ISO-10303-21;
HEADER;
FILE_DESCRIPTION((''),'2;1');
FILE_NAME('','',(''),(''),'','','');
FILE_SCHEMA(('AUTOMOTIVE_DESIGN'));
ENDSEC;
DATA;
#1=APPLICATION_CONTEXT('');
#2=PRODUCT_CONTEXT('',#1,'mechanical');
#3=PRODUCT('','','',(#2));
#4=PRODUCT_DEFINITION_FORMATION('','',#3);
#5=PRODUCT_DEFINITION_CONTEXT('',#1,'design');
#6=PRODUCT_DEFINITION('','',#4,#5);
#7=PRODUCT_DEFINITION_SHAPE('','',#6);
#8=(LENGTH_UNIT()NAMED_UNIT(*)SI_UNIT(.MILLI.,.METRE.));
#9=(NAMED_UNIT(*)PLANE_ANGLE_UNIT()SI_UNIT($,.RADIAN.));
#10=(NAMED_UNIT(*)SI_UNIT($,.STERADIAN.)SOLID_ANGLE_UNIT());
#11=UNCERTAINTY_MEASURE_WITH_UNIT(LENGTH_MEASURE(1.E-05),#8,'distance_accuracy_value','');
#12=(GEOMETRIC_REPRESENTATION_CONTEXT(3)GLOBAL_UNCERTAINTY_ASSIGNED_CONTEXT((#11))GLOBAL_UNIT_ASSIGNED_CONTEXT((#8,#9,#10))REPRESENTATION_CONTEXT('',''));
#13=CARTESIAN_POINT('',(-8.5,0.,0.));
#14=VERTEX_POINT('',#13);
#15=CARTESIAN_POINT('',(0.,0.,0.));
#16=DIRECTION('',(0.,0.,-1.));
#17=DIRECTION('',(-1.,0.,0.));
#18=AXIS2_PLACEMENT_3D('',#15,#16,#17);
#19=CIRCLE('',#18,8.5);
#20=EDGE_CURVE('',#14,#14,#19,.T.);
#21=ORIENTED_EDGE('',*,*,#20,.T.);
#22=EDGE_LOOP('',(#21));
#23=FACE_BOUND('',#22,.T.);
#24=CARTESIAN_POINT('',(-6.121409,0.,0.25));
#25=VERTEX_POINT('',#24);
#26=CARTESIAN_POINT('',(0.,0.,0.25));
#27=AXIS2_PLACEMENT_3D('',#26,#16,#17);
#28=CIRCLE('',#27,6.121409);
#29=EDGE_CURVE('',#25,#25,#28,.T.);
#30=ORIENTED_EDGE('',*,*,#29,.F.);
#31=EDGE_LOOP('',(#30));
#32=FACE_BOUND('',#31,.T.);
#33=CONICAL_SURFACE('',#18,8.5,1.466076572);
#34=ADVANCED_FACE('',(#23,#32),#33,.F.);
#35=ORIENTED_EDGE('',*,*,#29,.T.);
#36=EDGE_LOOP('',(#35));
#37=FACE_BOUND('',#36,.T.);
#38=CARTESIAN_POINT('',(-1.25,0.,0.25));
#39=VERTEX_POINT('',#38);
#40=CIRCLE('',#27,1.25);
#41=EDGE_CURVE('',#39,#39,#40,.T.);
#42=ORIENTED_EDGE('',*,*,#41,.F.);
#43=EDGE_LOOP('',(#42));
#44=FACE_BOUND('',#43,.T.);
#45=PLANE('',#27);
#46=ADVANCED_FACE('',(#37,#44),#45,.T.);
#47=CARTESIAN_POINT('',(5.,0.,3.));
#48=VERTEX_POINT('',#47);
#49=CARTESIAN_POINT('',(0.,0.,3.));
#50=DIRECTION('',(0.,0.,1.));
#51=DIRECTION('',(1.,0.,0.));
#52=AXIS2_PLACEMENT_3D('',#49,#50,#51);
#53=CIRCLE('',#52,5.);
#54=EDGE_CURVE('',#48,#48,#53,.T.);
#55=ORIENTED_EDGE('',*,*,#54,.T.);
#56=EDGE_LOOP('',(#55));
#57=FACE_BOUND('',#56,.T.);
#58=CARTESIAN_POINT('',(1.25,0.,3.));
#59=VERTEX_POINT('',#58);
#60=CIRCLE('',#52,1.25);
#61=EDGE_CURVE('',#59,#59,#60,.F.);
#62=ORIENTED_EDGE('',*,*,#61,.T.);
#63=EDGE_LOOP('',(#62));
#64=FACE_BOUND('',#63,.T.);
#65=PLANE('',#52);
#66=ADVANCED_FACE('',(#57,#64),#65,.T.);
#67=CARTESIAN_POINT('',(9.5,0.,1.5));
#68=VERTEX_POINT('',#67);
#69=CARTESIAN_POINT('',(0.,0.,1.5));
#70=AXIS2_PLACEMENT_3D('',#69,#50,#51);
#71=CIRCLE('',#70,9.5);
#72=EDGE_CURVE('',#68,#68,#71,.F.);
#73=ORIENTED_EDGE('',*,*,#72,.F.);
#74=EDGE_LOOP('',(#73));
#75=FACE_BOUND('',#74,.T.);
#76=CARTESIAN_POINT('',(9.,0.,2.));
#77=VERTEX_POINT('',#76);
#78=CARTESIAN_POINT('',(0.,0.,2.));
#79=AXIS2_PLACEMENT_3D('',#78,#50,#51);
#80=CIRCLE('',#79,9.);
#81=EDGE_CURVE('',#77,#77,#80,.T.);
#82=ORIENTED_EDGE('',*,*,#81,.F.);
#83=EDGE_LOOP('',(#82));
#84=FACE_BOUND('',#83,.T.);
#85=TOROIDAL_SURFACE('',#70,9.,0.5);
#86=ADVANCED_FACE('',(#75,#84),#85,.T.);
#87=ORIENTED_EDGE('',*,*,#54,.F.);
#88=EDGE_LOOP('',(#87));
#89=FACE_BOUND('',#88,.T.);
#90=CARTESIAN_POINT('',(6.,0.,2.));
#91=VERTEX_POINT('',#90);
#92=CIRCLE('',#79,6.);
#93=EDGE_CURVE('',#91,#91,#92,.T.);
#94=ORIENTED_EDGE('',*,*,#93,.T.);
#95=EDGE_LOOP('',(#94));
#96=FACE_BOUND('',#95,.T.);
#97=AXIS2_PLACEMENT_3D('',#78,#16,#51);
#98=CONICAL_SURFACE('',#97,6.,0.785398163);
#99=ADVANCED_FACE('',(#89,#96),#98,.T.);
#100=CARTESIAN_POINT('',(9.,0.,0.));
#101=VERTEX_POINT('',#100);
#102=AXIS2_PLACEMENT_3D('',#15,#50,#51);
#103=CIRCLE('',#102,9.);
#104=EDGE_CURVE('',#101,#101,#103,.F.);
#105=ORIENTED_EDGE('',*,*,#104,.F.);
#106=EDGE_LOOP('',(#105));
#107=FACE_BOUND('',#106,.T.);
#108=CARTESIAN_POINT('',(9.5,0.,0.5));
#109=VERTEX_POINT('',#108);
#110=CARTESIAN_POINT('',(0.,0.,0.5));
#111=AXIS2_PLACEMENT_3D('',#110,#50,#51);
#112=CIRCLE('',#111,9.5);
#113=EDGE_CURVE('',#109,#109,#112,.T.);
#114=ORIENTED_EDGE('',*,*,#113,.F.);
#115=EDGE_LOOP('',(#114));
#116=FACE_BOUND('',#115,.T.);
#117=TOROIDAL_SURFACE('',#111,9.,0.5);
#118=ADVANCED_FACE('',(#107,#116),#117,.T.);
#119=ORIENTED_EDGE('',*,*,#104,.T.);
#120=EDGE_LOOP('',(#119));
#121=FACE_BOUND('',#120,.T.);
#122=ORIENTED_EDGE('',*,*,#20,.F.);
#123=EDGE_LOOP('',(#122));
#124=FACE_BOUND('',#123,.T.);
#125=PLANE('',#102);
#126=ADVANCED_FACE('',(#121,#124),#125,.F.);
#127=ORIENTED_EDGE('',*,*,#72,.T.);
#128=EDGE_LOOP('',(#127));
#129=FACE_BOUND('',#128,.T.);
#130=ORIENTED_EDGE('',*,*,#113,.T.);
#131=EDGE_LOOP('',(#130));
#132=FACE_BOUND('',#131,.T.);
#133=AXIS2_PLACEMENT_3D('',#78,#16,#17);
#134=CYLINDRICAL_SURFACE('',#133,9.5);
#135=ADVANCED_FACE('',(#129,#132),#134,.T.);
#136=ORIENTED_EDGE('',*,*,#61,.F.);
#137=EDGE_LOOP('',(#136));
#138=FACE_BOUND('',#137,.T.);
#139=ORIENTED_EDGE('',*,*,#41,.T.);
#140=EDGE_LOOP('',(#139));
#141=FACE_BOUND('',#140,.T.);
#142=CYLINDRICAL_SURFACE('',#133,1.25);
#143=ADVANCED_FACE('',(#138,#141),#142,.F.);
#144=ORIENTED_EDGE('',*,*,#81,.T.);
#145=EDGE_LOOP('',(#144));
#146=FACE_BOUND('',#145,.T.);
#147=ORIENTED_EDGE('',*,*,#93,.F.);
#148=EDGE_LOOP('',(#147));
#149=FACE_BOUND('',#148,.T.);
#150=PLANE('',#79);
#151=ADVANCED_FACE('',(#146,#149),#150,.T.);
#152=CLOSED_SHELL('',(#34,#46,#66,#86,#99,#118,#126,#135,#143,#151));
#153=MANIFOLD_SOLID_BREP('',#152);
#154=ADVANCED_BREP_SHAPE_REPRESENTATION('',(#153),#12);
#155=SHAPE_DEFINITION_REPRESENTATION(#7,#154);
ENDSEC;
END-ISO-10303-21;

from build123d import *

# Parameters (mm, degrees)
SKETCH1_R           = 9.5
SKETCH1_R_2         = 6
SKETCH1_R_3         = 1.25
BOSS_EXTRUDE1_DEPTH = 2
BOSS_EXTRUDE2_START = 2
SKETCH1_3_R         = 6
BOSS_EXTRUDE2_DEPTH = 1
BOSS_EXTRUDE2_TAPER = 45
SKETCH2_R           = 8.5
CUT_EXTRUDE1_DEPTH  = 0.25
CUT_EXTRUDE1_DRAFT  = -84
SKETCH1_4_R         = 1.25
CUT_EXTRUDE2_DEPTH  = 40.25
FILLET1_R           = 0.5


with BuildPart() as part:
    # Sketch1 → Boss-Extrude1 (new body)
    # profile 1 of 2: a face of its own
    with BuildSketch(Plane.XY):
        Circle(SKETCH1_R)
        Circle(SKETCH1_R_2, mode=Mode.SUBTRACT)
    # profile 2 of 2: a face of its own
    with BuildSketch(Plane.XY):
        Circle(SKETCH1_R_2)
        Circle(SKETCH1_R_3, mode=Mode.SUBTRACT)
    extrude(amount=BOSS_EXTRUDE1_DEPTH)

    # Sketch1<3> → Boss-Extrude2 (add)
    with BuildSketch(Plane.XY.offset(BOSS_EXTRUDE2_START)):
        Circle(SKETCH1_3_R)
    extrude(amount=BOSS_EXTRUDE2_DEPTH, taper=BOSS_EXTRUDE2_TAPER)


with BuildPart() as cut_extrude1_tool:
    # Sketch2 → Cut-Extrude1 (with draft: the straight prism first)
    with BuildSketch(Plane(origin=(0, 0, 0), x_dir=(-1, 0, 0), z_dir=(0, 0, -1))):
        Circle(SKETCH2_R)
    extrude(amount=-CUT_EXTRUDE1_DEPTH)
    # Cut-Extrude1: the draft: its side faces are tilted about the plane it starts from
    cut_extrude1_sides = [cut_extrude1_tool.faces().sort_by_distance(p)[0] for p in [
        (8.5, 0, 0.125),
    ]]
    draft(cut_extrude1_sides, Plane(origin=(0, 0, 0), x_dir=(-1, 0, 0), z_dir=(0, 0, -1)), CUT_EXTRUDE1_DRAFT)


with BuildPart() as part_1:
    add(part.part)

    # Cut-Extrude1: cut by cut_extrude1_tool
    add(cut_extrude1_tool.part, mode=Mode.SUBTRACT)

    # Sketch1<4> → Cut-Extrude2 (cut)
    with BuildSketch(Plane.XY):
        with Locations(Location((0, 0, 0), (0, 0, 180))):
            Circle(SKETCH1_4_R)
    extrude(amount=CUT_EXTRUDE2_DEPTH, mode=Mode.SUBTRACT)

    # Fillet1
    fillet1_edges = [part_1.edges().sort_by_distance(p)[0] for p in [
        (-9.5, 0, 0),
        (-9.5, 0, 2),
    ]]
    fillet(fillet1_edges, radius=FILLET1_R)


solid = part_1.part
